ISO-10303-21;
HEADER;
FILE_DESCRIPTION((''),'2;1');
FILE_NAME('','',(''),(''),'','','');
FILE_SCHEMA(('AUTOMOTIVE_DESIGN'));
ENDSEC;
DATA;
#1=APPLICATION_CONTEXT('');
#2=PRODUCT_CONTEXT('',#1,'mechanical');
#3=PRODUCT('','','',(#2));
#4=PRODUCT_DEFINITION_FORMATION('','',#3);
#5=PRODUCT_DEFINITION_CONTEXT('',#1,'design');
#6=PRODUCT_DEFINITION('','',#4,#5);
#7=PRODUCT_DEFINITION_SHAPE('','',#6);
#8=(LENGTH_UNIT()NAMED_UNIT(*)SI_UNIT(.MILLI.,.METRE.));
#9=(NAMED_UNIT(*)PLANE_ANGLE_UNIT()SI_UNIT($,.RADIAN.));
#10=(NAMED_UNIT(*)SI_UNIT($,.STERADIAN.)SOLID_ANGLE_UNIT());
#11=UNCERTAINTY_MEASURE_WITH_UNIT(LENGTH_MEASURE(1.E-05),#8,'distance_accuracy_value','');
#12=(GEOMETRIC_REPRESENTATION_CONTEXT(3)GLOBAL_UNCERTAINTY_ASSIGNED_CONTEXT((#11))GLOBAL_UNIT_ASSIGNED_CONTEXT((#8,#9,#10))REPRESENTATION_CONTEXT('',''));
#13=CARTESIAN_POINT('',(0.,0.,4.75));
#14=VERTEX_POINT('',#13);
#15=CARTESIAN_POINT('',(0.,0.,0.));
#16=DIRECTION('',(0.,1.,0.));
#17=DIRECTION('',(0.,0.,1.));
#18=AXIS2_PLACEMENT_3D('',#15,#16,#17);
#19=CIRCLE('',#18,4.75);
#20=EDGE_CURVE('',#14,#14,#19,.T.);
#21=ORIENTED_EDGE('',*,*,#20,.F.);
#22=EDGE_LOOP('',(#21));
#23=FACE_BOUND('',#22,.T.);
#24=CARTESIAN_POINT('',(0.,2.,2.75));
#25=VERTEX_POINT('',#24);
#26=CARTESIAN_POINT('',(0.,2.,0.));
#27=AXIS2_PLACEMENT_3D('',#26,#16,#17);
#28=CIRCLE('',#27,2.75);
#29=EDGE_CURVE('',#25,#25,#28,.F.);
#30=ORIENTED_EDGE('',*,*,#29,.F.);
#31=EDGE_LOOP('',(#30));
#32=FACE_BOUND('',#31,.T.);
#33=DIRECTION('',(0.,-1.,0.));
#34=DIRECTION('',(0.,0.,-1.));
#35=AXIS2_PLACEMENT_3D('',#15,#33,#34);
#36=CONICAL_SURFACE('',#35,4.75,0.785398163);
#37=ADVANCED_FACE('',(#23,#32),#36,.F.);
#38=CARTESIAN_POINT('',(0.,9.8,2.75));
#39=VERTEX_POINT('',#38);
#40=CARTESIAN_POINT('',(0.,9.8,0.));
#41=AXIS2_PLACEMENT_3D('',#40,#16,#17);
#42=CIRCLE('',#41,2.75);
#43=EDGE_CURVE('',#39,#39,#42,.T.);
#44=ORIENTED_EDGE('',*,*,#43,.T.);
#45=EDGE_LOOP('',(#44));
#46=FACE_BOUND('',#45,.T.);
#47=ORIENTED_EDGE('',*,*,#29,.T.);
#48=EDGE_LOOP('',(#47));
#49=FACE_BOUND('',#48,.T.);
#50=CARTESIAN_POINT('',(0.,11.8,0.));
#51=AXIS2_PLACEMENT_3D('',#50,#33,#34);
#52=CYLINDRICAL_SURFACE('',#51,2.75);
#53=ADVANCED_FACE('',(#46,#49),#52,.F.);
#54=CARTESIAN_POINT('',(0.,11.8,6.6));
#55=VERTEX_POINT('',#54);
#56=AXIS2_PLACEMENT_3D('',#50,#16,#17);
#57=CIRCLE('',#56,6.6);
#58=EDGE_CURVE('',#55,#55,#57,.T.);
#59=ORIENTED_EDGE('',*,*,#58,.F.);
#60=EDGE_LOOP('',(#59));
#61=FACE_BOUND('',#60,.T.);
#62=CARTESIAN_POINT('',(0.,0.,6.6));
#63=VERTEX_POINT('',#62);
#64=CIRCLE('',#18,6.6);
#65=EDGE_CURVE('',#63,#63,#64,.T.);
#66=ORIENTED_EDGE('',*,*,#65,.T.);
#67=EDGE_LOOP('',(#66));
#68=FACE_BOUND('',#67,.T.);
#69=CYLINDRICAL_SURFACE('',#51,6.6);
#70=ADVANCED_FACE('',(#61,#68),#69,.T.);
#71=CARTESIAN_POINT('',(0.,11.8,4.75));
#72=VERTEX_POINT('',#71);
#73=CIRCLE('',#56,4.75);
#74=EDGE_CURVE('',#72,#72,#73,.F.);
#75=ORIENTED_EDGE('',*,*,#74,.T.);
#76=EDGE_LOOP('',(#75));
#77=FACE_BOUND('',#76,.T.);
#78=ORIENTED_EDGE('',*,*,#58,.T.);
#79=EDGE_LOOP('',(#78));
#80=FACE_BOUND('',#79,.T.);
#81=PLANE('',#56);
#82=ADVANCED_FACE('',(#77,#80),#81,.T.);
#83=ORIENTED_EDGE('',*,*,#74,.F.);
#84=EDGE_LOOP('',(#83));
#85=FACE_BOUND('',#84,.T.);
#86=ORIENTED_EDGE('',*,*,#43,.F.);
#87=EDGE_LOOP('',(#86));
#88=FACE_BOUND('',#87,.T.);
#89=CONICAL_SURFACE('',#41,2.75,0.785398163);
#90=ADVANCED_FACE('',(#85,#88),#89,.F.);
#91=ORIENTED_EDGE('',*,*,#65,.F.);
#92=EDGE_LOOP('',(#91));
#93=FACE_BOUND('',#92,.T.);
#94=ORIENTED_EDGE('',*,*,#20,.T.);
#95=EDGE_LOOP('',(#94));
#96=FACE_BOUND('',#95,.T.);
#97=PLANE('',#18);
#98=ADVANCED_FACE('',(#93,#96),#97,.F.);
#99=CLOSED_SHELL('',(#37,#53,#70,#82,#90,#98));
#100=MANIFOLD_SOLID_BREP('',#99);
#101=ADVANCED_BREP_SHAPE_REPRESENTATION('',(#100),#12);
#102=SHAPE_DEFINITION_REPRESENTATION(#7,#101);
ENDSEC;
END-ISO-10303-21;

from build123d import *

# Parameters (mm, degrees)
SKETCH1_R           = 6.6
SKETCH1_R_2         = 2.75
BOSS_EXTRUDE1_DEPTH = 11.8
CHAMFER1_SIZE       = 2


with BuildPart() as part:
    # Sketch1 → Boss-Extrude1 (new body)
    with BuildSketch(Plane(origin=(0, 0, 0), x_dir=(1, 0, 0), z_dir=(0, 1, 0))):
        with Locations(Location((0, 0, 0), (0, 0, 270))):
            Circle(SKETCH1_R)
        with Locations(Location((0, 0, 0), (0, 0, 270))):
            Circle(SKETCH1_R_2, mode=Mode.SUBTRACT)
    extrude(amount=BOSS_EXTRUDE1_DEPTH)

    # Chamfer1
    chamfer1_edges = [part.edges().sort_by_distance(p)[0] for p in [
        (0, 0, -2.75),
        (0, 11.8, -2.75),
    ]]
    chamfer(chamfer1_edges, length=CHAMFER1_SIZE)


solid = part.part
